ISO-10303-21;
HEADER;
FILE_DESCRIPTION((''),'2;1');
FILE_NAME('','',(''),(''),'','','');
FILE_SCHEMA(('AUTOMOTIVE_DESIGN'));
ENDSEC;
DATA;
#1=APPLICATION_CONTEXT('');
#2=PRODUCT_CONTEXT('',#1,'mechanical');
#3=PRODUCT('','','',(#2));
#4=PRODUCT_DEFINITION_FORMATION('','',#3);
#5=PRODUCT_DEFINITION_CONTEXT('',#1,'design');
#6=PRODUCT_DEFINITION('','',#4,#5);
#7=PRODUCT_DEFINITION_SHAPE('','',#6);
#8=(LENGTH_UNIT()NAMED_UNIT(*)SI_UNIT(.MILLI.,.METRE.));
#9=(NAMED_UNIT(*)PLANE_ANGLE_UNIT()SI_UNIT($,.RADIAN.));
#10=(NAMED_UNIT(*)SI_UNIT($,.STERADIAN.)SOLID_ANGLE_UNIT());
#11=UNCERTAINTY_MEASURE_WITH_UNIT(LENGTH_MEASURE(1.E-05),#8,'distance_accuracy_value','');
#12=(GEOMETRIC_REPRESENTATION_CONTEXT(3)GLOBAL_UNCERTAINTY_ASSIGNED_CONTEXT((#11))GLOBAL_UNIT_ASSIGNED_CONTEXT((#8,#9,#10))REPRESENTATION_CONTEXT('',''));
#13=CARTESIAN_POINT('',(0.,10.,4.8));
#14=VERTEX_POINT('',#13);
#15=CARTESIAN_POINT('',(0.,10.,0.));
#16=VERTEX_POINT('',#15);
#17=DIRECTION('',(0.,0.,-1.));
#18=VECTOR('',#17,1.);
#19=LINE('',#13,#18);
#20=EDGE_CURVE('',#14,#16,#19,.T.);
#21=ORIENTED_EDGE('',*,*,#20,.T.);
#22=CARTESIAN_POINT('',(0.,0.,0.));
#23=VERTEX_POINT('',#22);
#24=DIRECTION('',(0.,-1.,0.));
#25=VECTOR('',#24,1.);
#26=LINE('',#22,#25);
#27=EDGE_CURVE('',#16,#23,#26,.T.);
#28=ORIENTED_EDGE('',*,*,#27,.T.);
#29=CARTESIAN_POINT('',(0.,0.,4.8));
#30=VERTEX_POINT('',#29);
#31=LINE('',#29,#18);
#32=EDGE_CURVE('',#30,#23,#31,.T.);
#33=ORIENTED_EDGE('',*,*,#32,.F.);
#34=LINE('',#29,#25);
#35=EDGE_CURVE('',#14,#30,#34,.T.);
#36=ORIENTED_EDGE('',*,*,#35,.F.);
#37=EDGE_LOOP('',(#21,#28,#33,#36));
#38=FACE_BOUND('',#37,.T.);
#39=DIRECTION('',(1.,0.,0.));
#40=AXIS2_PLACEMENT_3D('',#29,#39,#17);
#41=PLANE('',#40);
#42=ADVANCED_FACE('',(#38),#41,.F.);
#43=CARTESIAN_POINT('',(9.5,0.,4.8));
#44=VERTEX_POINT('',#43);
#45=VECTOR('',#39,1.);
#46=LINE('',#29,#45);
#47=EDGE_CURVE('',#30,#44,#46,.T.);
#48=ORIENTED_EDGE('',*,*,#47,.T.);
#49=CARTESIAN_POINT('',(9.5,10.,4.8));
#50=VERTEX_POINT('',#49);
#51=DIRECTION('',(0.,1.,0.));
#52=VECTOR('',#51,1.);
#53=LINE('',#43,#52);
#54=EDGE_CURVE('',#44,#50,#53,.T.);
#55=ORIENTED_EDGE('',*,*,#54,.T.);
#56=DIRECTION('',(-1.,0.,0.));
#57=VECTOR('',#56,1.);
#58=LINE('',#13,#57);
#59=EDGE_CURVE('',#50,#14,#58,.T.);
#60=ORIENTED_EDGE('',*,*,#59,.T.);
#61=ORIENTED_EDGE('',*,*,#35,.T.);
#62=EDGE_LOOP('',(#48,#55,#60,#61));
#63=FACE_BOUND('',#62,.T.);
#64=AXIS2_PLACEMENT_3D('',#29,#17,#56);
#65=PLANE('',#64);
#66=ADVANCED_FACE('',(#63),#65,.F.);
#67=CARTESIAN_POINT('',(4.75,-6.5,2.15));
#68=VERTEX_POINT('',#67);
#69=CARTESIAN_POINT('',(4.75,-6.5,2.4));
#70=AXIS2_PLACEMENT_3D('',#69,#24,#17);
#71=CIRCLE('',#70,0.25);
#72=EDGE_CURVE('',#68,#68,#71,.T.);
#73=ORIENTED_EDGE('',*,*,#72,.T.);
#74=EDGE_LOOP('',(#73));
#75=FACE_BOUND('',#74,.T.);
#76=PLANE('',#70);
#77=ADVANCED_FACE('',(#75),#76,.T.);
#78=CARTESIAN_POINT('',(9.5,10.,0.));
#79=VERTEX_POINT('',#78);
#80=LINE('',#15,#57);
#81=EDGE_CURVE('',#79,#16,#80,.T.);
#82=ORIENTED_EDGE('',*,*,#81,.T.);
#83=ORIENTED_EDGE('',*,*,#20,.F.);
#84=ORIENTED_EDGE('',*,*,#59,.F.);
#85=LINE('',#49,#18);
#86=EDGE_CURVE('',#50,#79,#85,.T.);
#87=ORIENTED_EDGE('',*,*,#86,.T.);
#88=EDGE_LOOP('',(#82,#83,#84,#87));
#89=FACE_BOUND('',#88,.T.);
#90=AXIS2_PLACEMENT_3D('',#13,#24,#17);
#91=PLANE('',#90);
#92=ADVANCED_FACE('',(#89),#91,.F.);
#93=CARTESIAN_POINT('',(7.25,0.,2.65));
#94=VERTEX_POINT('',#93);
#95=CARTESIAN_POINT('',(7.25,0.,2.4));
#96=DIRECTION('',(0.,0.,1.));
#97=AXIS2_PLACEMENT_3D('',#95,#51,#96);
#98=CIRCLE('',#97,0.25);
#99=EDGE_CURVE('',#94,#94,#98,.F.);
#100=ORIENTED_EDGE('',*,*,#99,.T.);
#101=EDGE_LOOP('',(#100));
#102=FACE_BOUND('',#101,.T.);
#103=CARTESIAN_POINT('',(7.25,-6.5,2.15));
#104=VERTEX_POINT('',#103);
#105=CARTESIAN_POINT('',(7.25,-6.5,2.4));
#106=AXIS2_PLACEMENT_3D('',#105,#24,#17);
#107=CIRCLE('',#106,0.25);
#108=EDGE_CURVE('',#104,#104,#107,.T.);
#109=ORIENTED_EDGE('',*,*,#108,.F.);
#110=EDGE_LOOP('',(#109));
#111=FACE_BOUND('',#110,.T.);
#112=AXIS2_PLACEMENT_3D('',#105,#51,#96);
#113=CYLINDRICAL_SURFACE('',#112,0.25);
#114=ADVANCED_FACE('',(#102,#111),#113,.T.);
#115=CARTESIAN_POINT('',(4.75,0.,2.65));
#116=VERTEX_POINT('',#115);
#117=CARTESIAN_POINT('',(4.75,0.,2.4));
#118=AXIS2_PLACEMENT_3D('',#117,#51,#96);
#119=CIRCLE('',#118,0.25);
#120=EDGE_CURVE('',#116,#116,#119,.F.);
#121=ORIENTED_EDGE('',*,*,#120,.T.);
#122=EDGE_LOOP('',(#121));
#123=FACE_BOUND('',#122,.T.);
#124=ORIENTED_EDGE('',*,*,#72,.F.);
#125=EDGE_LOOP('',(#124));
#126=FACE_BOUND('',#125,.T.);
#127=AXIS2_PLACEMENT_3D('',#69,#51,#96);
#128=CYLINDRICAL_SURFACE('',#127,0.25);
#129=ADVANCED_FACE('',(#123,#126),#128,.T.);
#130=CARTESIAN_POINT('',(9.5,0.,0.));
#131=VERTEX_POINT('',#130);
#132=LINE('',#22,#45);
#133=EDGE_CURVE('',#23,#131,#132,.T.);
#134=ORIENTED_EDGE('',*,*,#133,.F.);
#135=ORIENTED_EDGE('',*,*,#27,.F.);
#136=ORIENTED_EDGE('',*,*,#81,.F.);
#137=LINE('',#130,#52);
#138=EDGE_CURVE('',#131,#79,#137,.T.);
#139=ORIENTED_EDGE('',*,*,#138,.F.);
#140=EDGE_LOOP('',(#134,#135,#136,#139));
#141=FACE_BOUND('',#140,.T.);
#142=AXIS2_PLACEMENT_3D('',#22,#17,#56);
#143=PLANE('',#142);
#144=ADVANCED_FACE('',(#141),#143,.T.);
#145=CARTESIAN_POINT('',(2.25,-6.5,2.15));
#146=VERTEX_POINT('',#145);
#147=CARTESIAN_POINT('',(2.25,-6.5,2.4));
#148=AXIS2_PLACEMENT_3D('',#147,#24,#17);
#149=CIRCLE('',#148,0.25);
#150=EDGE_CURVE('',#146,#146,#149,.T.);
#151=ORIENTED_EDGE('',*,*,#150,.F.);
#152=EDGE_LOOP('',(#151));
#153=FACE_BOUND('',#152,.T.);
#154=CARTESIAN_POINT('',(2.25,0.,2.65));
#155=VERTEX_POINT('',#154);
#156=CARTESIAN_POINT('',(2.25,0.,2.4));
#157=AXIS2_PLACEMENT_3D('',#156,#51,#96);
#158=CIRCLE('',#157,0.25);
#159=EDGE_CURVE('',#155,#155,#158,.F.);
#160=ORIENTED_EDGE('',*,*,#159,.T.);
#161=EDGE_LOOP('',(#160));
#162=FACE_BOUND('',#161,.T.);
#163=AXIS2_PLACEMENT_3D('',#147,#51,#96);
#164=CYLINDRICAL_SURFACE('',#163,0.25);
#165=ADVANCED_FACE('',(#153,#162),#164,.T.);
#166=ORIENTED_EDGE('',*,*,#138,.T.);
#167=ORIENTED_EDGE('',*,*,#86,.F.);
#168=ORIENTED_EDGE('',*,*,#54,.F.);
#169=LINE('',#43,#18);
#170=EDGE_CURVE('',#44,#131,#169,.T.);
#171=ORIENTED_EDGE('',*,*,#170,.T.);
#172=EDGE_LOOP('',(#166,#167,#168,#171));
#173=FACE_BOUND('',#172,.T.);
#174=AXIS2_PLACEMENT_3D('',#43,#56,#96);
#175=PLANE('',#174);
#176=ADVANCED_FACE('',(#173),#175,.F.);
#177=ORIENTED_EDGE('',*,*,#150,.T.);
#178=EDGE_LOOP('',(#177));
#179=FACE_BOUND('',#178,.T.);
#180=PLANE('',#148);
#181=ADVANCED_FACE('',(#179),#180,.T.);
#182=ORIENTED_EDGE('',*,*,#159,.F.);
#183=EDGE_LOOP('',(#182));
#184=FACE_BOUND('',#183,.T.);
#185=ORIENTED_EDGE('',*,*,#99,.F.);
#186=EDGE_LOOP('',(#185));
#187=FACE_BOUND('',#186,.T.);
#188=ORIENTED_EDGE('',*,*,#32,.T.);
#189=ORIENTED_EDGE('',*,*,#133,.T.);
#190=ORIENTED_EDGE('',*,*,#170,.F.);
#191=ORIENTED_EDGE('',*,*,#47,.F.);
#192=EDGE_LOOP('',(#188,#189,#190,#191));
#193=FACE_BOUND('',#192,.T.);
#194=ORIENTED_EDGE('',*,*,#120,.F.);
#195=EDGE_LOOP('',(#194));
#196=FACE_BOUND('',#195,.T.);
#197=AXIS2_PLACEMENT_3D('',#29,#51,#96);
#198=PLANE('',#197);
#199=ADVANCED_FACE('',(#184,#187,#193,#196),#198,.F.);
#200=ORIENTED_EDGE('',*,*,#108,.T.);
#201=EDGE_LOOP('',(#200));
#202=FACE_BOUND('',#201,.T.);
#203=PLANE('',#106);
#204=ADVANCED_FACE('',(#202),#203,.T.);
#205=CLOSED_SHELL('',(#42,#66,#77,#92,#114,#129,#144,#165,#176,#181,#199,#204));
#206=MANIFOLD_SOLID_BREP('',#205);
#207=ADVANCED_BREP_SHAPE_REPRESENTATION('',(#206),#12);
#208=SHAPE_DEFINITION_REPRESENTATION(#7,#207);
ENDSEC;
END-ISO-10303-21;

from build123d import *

# Parameters (mm, degrees)
SKETCH1_W           = 9.5
SKETCH1_H           = 10
BOSS_EXTRUDE1_DEPTH = 4.8
SKETCH2_R           = 0.25
BOSS_EXTRUDE2_DEPTH = 6.5


with BuildPart() as part:
    # Sketch1 → Boss-Extrude1 (new body)
    with BuildSketch(Plane.XY):
        with Locations((4.75, 5)):
            Rectangle(SKETCH1_W, SKETCH1_H)
    extrude(amount=BOSS_EXTRUDE1_DEPTH)

    # Sketch2 → Boss-Extrude2 (add)
    with BuildSketch(Plane(origin=(0, 0, 0), x_dir=(-1, 0, 0), z_dir=(0, -1, 0))):
        with Locations(Location((-4.75, -2.4, 0), (0, 0, 270))):
            Circle(SKETCH2_R)
        with Locations(Location((-2.25, -2.4, 0), (0, 0, 270))):
            Circle(SKETCH2_R)
        with Locations(Location((-7.25, -2.4, 0), (0, 0, 270))):
            Circle(SKETCH2_R)
    extrude(amount=BOSS_EXTRUDE2_DEPTH)


solid = part.part
